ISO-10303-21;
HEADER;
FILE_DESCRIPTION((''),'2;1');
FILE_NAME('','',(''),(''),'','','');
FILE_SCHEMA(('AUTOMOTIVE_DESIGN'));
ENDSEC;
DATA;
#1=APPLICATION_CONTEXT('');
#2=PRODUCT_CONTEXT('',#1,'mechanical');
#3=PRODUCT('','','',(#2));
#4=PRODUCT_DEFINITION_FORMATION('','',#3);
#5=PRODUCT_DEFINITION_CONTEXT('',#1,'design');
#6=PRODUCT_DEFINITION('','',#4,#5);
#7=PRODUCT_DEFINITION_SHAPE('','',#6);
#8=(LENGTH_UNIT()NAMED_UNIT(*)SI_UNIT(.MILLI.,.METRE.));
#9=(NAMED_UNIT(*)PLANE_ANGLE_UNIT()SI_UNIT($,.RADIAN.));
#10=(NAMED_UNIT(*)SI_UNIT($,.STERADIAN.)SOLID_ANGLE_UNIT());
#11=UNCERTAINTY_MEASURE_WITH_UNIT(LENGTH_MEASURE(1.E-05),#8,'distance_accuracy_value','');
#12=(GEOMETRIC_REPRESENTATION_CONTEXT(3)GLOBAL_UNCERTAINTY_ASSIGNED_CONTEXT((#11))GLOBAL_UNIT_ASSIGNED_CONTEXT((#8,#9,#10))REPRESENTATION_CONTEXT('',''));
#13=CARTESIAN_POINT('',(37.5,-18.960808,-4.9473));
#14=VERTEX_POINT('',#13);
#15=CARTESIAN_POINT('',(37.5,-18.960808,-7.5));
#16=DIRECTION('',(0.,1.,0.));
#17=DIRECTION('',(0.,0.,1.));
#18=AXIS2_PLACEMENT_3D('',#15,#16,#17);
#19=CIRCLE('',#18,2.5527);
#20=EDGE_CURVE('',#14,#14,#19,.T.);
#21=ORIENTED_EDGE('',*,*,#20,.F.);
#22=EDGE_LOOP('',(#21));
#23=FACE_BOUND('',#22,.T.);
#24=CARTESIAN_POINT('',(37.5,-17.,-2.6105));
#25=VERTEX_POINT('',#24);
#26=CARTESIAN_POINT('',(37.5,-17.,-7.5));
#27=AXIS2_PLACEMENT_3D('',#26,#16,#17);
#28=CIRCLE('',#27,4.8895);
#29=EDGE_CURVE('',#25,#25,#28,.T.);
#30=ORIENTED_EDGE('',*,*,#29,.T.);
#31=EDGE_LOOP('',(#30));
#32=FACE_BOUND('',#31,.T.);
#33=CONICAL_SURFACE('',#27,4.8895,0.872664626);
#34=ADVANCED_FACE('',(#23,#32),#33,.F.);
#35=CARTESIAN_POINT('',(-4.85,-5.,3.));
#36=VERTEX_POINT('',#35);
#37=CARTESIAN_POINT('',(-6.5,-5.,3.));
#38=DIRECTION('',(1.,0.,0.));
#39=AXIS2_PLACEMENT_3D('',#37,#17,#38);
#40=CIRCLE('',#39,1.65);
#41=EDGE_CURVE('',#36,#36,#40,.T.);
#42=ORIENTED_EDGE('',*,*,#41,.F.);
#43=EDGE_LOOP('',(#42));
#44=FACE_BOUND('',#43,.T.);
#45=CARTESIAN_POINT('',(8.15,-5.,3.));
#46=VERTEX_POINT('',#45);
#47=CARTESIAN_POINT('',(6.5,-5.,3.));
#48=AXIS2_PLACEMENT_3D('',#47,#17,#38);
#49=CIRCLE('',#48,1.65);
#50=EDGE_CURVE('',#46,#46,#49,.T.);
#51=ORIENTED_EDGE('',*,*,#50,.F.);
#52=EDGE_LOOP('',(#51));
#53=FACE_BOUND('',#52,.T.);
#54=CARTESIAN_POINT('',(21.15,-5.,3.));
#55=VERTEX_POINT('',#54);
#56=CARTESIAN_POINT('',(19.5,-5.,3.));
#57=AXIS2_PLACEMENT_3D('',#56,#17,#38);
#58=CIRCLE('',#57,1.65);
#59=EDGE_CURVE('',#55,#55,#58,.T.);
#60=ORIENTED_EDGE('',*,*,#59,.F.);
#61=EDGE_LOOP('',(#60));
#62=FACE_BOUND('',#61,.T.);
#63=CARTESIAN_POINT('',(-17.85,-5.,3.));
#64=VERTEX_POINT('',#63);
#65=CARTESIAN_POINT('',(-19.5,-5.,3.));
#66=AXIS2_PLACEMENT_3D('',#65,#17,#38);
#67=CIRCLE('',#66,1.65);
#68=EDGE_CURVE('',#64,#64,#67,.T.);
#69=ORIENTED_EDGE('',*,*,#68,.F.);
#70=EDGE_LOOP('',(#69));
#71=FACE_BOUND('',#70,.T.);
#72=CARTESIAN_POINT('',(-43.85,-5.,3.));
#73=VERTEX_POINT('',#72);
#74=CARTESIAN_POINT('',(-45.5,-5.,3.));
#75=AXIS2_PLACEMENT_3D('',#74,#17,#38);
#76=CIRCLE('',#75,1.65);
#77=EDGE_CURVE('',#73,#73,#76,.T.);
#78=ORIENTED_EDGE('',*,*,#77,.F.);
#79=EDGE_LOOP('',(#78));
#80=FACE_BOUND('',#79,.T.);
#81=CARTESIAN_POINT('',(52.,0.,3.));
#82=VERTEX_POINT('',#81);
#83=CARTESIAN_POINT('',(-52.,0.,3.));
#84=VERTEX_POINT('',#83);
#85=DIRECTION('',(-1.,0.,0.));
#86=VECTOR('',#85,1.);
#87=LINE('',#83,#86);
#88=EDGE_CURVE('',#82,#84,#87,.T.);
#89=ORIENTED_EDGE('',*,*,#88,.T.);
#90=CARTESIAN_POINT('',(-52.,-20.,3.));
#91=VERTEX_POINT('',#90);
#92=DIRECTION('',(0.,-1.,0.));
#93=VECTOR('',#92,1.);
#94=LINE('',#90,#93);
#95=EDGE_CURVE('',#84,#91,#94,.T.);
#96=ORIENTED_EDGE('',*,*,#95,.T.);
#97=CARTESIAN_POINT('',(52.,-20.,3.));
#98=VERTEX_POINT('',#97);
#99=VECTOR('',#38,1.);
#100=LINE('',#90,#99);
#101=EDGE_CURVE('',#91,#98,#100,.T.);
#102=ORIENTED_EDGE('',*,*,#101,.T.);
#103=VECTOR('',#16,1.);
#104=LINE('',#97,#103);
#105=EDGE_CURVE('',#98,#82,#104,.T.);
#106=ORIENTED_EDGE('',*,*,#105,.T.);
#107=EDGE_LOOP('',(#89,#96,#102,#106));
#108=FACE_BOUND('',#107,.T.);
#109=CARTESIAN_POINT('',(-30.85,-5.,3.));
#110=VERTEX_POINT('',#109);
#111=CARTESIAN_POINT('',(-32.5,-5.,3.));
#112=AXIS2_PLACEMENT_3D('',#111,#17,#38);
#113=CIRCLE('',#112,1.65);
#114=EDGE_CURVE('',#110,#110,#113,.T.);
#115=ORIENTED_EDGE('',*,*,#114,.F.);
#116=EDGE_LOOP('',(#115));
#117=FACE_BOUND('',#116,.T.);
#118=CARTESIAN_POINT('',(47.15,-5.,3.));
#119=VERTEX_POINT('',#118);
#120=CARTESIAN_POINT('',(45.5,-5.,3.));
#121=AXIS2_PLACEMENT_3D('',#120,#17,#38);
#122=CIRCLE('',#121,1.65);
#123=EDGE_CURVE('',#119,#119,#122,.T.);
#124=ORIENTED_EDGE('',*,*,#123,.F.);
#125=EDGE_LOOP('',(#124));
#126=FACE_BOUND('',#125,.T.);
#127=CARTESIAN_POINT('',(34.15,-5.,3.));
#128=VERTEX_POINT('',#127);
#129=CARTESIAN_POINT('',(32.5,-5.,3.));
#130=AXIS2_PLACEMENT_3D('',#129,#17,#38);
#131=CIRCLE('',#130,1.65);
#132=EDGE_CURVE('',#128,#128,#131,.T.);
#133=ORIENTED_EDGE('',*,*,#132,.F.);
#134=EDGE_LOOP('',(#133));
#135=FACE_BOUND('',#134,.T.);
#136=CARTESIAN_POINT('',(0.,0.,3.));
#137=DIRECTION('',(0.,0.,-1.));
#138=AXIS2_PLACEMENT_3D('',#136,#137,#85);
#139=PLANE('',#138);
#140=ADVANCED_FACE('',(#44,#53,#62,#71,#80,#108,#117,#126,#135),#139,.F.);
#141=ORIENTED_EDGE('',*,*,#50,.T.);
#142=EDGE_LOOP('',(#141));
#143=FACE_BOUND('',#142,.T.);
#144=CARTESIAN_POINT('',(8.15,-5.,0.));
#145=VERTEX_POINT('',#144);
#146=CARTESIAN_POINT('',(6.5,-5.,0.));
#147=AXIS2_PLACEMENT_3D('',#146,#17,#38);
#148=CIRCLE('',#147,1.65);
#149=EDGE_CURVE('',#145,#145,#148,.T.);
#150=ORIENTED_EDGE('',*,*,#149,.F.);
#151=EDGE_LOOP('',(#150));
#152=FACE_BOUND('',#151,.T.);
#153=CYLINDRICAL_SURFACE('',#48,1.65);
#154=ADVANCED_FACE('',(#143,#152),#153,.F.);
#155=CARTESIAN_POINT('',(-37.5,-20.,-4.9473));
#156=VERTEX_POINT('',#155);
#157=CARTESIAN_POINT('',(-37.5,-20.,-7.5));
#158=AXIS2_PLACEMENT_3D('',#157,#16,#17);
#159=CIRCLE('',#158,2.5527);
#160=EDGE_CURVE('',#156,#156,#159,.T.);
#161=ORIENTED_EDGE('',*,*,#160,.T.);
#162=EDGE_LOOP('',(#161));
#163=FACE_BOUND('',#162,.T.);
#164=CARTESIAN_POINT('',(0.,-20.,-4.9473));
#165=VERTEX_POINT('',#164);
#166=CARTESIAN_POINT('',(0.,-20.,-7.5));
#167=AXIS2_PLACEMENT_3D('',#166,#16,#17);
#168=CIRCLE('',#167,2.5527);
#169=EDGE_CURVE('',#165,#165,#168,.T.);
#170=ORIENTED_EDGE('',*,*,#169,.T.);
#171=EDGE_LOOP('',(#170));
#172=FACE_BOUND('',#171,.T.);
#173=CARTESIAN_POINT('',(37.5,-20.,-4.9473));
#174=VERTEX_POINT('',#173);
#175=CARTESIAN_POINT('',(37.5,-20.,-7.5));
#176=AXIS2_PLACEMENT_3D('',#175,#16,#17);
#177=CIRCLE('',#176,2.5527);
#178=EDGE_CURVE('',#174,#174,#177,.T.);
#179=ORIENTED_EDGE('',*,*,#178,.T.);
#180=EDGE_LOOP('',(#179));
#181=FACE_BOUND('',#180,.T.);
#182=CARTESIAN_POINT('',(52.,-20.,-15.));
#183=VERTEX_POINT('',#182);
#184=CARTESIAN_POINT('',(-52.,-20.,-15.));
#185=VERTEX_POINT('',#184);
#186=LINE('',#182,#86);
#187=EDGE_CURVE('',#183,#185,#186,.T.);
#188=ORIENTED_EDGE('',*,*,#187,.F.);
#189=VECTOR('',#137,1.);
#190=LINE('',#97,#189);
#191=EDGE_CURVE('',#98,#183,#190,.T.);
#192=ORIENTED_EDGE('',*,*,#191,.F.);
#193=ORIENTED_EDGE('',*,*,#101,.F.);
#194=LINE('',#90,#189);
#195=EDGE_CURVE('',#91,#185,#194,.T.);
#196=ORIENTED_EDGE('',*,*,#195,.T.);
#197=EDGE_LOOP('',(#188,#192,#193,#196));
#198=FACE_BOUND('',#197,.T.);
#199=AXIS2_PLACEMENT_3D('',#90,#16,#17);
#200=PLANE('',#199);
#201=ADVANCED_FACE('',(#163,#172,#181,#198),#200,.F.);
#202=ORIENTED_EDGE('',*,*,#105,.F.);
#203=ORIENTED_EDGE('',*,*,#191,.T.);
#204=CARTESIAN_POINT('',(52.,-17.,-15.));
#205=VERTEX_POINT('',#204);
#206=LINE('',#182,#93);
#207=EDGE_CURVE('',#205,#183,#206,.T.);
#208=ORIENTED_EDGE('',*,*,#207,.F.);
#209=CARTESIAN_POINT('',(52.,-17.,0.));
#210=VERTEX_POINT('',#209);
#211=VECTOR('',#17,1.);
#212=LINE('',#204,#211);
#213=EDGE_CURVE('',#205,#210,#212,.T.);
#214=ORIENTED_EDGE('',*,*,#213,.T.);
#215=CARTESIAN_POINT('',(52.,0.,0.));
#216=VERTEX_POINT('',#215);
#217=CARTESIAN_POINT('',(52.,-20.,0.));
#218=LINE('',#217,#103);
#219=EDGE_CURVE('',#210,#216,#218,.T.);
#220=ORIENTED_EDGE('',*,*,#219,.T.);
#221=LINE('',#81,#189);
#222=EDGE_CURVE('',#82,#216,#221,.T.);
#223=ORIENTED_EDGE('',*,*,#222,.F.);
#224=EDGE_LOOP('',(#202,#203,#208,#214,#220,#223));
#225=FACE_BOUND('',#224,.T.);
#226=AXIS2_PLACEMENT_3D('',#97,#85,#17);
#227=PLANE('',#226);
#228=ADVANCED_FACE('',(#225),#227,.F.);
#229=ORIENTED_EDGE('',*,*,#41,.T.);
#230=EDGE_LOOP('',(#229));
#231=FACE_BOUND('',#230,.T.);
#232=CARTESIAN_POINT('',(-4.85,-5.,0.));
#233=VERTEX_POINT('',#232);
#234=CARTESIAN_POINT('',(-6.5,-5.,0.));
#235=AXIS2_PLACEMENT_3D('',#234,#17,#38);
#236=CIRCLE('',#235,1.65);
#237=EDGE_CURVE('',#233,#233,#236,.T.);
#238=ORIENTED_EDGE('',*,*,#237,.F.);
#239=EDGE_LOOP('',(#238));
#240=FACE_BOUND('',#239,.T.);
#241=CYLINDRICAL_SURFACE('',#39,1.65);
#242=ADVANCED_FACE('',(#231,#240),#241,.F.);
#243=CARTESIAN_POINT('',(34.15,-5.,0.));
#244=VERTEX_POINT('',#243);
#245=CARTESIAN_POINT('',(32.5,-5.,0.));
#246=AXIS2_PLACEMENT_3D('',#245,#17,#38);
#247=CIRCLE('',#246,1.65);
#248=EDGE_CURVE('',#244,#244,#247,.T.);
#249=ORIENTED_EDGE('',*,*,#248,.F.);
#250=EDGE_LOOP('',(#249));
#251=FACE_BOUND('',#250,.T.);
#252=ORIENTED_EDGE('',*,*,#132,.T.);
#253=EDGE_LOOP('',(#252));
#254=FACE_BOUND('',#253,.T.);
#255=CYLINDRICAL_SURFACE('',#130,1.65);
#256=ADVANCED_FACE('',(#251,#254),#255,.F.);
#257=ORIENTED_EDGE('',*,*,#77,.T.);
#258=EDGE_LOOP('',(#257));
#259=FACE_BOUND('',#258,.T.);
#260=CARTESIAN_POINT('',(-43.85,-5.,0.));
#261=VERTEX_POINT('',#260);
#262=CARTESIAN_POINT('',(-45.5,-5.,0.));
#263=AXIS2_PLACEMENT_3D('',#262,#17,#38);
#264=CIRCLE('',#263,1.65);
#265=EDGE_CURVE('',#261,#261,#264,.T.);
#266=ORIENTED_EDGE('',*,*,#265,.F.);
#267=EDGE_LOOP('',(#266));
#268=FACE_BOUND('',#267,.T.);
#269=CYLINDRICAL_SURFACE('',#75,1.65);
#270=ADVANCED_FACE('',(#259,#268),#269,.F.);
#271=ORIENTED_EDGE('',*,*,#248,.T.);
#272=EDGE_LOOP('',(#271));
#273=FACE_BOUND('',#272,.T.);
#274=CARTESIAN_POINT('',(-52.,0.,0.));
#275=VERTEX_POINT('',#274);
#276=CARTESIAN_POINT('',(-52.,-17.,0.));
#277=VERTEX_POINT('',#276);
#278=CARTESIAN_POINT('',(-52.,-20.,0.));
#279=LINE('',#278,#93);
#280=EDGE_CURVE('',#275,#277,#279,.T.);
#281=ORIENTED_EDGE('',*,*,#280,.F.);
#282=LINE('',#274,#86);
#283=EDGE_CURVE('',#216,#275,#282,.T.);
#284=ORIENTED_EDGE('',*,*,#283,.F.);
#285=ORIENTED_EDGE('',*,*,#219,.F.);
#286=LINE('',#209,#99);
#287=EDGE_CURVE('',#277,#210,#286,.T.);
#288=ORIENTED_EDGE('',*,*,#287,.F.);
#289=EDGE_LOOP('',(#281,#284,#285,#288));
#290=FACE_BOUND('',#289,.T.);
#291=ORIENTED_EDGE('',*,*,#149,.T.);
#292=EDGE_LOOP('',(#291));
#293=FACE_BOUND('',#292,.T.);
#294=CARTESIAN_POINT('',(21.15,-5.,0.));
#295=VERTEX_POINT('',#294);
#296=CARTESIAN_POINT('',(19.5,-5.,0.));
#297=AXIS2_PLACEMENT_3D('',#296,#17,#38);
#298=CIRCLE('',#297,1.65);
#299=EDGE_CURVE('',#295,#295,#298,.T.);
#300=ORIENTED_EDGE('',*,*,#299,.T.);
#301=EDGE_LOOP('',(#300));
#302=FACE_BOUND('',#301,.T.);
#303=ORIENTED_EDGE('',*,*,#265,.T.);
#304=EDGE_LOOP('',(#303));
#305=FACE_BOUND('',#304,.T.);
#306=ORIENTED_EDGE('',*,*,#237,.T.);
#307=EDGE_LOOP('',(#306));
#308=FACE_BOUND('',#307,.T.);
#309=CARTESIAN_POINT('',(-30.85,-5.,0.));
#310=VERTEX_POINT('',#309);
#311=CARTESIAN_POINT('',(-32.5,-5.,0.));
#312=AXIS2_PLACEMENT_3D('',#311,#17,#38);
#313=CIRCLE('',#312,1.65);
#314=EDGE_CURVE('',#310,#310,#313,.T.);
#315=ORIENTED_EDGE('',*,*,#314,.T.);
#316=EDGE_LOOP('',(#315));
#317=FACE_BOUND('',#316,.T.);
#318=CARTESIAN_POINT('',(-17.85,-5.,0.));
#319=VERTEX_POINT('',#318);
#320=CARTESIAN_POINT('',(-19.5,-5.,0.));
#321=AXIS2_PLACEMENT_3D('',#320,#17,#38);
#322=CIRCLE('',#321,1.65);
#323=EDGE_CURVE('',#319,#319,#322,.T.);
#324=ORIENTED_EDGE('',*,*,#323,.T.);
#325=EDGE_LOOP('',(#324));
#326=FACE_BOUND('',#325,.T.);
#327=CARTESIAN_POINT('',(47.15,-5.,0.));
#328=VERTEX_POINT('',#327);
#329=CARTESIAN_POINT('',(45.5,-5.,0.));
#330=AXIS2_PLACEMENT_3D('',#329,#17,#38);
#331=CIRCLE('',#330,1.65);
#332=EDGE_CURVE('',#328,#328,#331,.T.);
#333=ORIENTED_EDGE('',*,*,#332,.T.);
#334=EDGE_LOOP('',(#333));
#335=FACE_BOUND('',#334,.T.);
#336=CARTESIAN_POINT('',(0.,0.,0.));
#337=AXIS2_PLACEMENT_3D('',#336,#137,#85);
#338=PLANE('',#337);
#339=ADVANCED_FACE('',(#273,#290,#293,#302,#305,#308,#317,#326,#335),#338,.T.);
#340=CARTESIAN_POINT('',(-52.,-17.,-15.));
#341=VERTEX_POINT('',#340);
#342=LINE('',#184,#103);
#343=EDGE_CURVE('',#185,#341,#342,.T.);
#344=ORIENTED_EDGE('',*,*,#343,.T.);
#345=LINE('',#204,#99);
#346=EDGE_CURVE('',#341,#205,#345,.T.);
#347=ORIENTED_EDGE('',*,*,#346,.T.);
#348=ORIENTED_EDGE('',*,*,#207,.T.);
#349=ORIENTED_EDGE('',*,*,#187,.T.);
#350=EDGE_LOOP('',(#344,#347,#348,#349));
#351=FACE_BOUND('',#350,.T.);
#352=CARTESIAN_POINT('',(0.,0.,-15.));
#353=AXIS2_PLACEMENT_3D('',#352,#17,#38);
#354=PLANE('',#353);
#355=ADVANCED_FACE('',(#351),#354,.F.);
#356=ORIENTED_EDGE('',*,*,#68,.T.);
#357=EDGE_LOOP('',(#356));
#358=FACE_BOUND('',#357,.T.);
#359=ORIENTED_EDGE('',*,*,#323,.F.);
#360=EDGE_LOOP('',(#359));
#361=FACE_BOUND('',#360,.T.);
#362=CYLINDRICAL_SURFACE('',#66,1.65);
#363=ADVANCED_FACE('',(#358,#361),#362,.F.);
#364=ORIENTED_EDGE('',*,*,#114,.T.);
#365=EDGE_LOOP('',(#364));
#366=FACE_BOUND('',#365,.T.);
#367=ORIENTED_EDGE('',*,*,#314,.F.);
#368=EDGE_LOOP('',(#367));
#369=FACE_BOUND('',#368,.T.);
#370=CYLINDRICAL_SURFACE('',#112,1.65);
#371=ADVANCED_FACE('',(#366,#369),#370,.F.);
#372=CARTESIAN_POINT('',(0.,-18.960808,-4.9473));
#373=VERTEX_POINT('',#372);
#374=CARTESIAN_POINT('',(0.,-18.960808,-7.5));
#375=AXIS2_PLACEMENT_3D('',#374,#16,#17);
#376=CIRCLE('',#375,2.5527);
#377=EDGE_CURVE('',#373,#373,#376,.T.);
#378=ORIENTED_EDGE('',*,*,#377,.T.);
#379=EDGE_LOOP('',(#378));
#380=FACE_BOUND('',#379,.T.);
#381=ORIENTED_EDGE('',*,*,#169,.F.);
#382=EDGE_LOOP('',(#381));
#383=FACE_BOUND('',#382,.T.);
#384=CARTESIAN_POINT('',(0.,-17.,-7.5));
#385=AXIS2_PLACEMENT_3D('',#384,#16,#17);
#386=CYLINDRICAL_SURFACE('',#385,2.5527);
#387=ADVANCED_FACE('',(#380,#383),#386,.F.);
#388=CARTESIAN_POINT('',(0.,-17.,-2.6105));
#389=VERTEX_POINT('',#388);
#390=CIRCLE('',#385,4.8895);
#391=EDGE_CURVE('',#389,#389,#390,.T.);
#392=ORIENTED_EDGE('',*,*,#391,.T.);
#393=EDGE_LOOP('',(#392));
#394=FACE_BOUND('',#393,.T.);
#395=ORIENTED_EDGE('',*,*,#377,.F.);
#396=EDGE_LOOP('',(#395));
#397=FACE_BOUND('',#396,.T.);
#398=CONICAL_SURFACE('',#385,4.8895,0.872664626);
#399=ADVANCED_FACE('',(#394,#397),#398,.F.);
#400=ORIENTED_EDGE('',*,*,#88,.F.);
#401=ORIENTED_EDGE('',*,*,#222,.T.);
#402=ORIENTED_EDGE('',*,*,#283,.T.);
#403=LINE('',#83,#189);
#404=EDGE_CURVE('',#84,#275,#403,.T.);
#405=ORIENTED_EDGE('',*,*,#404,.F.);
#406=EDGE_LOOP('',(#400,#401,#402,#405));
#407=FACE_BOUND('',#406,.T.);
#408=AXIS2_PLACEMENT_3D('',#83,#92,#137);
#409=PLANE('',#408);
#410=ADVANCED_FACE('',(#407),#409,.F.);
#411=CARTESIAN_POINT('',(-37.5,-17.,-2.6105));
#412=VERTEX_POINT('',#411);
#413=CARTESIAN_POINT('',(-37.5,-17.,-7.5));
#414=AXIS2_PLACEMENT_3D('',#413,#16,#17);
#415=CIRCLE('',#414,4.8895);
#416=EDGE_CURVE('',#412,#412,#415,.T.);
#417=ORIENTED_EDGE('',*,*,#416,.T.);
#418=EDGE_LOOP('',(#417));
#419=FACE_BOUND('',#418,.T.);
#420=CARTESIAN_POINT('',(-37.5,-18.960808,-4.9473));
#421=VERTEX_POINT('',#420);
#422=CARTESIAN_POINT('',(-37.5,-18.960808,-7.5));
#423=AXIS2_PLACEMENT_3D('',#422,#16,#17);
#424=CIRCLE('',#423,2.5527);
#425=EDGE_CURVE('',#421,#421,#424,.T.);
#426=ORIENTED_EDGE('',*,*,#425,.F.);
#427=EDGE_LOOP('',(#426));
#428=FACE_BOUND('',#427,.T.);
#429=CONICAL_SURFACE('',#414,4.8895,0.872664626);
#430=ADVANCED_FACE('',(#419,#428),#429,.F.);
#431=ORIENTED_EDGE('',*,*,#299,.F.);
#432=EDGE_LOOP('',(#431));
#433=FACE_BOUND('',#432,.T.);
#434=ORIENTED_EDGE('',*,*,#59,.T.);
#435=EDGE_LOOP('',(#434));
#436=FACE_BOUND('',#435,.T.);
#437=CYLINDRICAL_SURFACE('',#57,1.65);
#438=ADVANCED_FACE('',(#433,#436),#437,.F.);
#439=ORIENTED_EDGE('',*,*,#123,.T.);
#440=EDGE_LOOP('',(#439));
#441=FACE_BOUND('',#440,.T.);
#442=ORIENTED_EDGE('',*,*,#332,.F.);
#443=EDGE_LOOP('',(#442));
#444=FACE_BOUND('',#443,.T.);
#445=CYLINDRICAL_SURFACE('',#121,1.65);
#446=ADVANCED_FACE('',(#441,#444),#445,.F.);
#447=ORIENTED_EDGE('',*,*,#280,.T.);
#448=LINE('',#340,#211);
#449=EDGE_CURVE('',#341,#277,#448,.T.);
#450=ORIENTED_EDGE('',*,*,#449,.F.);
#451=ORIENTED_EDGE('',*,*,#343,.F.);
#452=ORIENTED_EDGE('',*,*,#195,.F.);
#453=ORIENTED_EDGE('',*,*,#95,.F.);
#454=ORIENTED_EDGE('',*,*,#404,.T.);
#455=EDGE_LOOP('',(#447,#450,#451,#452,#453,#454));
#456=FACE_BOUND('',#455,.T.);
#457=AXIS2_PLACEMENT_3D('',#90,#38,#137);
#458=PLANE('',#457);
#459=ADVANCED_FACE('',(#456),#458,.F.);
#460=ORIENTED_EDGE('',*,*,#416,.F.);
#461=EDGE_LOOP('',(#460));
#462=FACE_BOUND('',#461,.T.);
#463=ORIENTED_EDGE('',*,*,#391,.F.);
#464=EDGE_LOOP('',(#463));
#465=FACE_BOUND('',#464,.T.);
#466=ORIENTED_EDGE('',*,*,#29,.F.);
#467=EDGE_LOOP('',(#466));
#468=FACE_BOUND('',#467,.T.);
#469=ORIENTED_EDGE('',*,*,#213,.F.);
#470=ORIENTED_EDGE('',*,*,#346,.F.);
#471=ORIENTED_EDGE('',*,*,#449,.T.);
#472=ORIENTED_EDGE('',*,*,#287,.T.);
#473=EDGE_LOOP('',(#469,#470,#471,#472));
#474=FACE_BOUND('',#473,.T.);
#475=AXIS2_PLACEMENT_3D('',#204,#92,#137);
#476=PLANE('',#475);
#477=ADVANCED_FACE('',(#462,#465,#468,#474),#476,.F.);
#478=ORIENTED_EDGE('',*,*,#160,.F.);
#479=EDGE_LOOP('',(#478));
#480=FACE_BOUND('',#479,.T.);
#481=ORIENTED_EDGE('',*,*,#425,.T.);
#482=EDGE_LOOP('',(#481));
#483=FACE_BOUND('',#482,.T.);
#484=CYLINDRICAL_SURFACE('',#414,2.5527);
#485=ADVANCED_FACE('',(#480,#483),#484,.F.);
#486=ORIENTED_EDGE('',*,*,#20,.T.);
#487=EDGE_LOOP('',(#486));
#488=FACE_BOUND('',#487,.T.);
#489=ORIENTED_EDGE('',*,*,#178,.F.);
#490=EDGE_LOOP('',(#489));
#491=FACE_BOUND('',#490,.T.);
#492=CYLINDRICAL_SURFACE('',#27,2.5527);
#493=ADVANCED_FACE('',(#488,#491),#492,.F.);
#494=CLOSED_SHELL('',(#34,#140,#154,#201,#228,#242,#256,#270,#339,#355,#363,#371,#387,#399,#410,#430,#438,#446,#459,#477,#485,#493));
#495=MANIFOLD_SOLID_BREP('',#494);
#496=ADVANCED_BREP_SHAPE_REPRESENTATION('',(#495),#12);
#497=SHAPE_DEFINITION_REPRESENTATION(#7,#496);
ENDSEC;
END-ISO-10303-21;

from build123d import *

# Parameters (mm, degrees)
SKETCH2_W                                  = 104
SKETCH2_H                                  = 20
BOSS_EXTRUDE1_DEPTH                        = 3
M4X0_7_TAPPED_HOLE1_D                      = 3.3
SKETCH5_W                                  = 104
SKETCH5_H                                  = 3
BOSS_EXTRUDE2_DEPTH                        = 15
CSK_FOR_10_FLAT_HEAD_MACHINE_SCREW_2_COUNT = 2
CSK_FOR_10_FLAT_HEAD_MACHINE_SCREW_2_PITCH = 37.5
CSK_FOR_10_FLAT_HEAD_MACHINE_SCREW_3_COUNT = 2
CSK_FOR_10_FLAT_HEAD_MACHINE_SCREW_3_PITCH = 75


with BuildPart() as part:
    # Sketch2 → Boss-Extrude1 (new body)
    with BuildSketch(Plane.XY):
        with Locations((0, -10)):
            Rectangle(SKETCH2_W, SKETCH2_H)
    extrude(amount=BOSS_EXTRUDE1_DEPTH)

    # M4x0.7 Tapped Hole1 (through all)
    with Locations(Plane.XY.offset(3)):
        with Locations((-45.5, -5), (45.5, -5), (-32.5, -5), (-19.5, -5), (-6.5, -5), (6.5, -5), (19.5, -5), (32.5, -5)):
            Hole(M4X0_7_TAPPED_HOLE1_D / 2)

    # Sketch5 → Boss-Extrude2 (add)
    with BuildSketch(Plane(origin=(0, 0, 0), x_dir=(-1, 0, 0), z_dir=(0, 0, -1))):
        with Locations((0, -18.5)):
            Rectangle(SKETCH5_W, SKETCH5_H)
    extrude(amount=BOSS_EXTRUDE2_DEPTH)

    # Sketch7 → CSK for #10 Flat Head Machine Screw (100)1 (revolve, cut)
    with BuildSketch(Plane(origin=(37.5, -17, -7.5), x_dir=(0, 0, 1), z_dir=(1, 0, 0))):
        Polygon((0, 0), (0, 3), (2.5527, 3), (2.5527, 1.960808018), (4.8895, 0), align=None)
    csk_for_10_flat_head_machine_screw_100 = revolve(axis=Axis((37.5, -10.65, -7.5), (0, -1, 0)), mode=Mode.SUBTRACT)

    # CSK for _10 Flat Head Machine Screw  2: CSK for #10 Flat Head Machine Screw (100)1 ×2
    with Locations(*[(-i * CSK_FOR_10_FLAT_HEAD_MACHINE_SCREW_2_PITCH, 0, 0) for i in range(1, CSK_FOR_10_FLAT_HEAD_MACHINE_SCREW_2_COUNT)]):
        add(csk_for_10_flat_head_machine_screw_100, mode=Mode.SUBTRACT)

    # CSK for _10 Flat Head Machine Screw  3: CSK for #10 Flat Head Machine Screw (100)1 ×2
    with Locations(*[(-i * CSK_FOR_10_FLAT_HEAD_MACHINE_SCREW_3_PITCH, 0, 0) for i in range(1, CSK_FOR_10_FLAT_HEAD_MACHINE_SCREW_3_COUNT)]):
        add(csk_for_10_flat_head_machine_screw_100, mode=Mode.SUBTRACT)


solid = part.part
